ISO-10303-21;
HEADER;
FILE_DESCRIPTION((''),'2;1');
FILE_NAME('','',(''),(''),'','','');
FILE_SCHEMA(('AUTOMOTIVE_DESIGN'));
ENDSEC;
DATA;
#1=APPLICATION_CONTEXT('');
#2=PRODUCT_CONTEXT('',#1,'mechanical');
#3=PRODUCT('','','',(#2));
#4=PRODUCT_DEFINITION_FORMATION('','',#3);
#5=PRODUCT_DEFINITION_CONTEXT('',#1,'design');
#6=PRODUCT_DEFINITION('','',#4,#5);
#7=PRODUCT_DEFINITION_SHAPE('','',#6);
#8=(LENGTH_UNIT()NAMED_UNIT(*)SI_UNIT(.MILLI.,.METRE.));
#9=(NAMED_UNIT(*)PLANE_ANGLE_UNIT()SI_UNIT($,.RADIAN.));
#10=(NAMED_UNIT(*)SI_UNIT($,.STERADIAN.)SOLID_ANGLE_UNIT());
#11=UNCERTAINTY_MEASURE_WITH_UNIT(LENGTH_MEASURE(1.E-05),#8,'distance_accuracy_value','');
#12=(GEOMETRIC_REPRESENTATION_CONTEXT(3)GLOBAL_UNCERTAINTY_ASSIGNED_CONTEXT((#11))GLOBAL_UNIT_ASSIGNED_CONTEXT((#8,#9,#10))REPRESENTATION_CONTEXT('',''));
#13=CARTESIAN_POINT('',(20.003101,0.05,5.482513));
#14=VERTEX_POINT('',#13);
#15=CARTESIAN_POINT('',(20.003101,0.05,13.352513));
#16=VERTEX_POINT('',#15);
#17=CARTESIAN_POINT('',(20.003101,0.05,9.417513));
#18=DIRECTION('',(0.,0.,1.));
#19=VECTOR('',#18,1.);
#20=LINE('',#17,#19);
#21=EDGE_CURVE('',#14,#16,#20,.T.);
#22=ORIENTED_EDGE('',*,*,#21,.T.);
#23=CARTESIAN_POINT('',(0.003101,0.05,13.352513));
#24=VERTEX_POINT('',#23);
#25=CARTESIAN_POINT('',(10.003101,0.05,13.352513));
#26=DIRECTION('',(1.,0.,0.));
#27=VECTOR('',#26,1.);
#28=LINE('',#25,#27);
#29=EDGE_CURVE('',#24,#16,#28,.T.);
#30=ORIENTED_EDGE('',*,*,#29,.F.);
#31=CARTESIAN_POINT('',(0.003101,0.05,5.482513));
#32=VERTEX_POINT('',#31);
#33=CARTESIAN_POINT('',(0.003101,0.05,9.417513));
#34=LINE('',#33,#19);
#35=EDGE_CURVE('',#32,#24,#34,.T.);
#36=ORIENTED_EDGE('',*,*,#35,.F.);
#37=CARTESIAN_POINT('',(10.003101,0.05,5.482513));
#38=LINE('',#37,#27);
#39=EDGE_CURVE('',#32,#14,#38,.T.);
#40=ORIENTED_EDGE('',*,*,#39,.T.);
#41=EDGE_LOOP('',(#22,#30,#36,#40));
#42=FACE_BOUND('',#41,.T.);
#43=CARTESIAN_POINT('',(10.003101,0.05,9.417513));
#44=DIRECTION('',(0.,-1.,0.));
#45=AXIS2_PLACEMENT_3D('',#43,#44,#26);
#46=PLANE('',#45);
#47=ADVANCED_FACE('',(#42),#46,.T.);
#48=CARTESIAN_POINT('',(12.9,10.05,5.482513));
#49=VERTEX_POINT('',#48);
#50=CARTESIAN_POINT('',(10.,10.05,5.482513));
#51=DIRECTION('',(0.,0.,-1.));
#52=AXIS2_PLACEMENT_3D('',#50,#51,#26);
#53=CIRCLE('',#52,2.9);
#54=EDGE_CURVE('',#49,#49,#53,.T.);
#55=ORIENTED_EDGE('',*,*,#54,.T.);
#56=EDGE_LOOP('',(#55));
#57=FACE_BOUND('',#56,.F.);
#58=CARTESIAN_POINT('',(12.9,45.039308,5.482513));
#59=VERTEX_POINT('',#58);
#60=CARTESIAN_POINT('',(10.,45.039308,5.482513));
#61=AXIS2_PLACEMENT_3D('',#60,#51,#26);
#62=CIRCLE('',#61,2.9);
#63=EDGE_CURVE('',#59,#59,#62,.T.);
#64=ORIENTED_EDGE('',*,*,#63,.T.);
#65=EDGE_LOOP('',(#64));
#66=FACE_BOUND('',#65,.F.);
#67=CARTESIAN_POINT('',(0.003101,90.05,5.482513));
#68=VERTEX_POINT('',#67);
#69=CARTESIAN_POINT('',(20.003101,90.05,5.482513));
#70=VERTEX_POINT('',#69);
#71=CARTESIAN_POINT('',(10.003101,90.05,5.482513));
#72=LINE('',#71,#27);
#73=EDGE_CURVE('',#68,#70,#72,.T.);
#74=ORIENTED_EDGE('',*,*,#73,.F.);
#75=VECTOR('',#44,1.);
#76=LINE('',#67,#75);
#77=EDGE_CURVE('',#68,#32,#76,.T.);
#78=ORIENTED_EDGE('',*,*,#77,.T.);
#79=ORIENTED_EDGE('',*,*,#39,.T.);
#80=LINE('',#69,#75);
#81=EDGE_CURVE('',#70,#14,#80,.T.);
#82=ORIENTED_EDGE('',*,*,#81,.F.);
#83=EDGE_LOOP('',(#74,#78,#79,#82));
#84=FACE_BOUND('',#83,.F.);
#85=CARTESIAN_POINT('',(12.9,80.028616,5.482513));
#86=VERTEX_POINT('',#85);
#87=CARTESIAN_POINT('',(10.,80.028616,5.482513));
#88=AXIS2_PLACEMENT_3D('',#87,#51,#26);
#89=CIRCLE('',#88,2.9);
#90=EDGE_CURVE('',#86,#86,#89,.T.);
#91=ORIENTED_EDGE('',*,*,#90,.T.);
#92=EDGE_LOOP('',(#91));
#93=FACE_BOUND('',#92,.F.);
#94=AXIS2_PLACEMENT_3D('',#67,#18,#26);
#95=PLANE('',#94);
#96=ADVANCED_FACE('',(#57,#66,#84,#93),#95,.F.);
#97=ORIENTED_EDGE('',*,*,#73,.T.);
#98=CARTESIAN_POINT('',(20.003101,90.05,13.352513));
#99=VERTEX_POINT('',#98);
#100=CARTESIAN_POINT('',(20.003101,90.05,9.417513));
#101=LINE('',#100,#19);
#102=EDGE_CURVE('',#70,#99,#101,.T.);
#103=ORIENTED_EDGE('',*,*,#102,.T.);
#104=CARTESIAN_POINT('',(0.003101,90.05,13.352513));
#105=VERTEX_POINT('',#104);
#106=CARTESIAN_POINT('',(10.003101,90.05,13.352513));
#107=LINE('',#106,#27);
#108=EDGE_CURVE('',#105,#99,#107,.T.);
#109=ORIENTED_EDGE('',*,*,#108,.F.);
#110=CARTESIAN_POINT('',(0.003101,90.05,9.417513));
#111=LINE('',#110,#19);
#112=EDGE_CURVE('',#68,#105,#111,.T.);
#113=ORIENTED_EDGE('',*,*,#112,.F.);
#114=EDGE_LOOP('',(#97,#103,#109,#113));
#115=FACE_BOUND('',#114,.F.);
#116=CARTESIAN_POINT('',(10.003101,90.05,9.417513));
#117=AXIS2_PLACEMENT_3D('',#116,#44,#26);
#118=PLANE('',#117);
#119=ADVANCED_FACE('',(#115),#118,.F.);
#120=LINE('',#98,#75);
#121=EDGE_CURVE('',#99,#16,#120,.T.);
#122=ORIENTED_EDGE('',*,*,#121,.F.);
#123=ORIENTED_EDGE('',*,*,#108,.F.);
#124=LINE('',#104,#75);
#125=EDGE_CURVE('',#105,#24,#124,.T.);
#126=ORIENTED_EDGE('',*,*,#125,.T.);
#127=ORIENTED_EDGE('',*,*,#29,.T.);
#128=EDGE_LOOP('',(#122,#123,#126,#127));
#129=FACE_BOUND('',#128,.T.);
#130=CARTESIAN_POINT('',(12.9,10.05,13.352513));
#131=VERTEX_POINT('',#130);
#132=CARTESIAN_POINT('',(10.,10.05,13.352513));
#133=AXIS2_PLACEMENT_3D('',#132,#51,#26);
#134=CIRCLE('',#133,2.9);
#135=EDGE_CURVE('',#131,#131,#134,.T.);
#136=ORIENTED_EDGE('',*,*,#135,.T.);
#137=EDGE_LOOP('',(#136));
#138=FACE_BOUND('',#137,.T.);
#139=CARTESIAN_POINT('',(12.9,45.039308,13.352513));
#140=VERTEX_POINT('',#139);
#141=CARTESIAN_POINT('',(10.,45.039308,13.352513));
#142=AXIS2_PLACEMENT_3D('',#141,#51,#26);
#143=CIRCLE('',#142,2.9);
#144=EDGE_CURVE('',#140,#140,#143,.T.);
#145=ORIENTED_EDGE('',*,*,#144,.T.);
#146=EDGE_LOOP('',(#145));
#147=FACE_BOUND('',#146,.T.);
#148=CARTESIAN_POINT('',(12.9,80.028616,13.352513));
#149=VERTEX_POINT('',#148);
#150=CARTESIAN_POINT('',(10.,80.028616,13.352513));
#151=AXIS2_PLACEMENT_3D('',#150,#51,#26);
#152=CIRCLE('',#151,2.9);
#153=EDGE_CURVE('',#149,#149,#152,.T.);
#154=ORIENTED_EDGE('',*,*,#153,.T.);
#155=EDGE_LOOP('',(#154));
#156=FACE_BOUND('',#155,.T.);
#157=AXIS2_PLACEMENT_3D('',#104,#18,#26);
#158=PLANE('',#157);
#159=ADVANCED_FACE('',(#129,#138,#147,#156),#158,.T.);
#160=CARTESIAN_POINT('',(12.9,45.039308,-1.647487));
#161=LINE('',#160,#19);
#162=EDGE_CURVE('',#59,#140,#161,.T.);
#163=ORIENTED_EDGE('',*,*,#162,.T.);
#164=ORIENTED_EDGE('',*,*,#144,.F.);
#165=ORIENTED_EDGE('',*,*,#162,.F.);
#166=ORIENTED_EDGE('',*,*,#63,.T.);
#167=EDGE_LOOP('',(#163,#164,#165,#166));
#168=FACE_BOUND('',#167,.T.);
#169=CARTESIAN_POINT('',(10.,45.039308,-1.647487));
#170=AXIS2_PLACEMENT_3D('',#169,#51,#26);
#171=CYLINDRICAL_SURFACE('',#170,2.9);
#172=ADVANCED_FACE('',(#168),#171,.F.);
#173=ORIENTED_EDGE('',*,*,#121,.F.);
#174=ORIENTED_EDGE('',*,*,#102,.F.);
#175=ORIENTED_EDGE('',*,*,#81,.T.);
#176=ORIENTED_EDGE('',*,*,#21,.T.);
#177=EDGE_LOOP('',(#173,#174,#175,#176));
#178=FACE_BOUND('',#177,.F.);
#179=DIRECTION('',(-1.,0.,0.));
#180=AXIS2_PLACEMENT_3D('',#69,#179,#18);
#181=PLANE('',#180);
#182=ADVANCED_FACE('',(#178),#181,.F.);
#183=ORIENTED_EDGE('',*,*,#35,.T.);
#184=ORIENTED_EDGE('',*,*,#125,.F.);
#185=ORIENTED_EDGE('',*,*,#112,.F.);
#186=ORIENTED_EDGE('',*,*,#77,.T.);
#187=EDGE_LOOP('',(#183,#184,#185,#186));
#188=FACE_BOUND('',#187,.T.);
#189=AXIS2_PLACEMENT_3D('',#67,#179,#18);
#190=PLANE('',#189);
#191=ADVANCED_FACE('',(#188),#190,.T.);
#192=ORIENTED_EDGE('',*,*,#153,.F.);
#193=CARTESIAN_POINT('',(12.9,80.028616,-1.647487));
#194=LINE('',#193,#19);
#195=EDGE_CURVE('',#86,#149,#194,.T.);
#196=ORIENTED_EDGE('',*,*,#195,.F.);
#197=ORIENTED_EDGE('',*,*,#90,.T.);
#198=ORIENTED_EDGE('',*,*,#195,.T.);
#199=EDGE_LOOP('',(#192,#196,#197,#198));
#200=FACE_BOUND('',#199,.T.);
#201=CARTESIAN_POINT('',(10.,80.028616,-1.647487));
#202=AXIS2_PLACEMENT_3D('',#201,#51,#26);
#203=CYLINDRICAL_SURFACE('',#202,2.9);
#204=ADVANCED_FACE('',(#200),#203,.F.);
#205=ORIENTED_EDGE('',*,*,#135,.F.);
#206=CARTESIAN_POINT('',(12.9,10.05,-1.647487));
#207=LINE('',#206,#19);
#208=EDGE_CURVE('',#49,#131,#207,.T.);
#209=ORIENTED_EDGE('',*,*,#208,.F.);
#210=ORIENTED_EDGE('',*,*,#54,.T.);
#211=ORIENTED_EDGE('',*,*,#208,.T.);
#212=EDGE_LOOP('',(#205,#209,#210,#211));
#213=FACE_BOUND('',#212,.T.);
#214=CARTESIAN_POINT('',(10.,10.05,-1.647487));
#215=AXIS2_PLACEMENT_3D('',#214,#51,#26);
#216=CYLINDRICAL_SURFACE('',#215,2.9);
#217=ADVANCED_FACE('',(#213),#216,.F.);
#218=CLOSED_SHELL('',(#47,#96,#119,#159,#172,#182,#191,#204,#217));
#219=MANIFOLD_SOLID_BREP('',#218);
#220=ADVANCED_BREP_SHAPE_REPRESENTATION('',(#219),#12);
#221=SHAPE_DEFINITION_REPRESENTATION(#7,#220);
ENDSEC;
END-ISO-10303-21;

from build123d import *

# Parameters (mm, degrees)
SKETCH058_R      = 2.9
EXTRUDE060_DEPTH = 20
SKETCH057_W      = 20
SKETCH057_H      = 7.87
EXTRUDE059_DEPTH = 90


with BuildPart() as tornillos015:
    # Sketch058 (on Face4 of Extrude059) → Extrude060 (new body)
    with BuildSketch(Plane.XY.offset(19.952513)):
        with Locations((10, -80)):
            Circle(SKETCH058_R)
        with Locations((10, -45.010692)):
            Circle(SKETCH058_R)
        with Locations((10, -10.021384)):
            Circle(SKETCH058_R)
    extrude(amount=EXTRUDE060_DEPTH)


with BuildPart() as tornillos015_1:
    # Extrude060 placement: moved
    add(tornillos015.part.moved(Location((0, 0, -15))))


with BuildPart() as cut:
    # Sketch057 → Extrude059 (new body)
    with BuildSketch(Plane.XZ):
        with Locations((10.003101, 16.017513)):
            Rectangle(SKETCH057_W, SKETCH057_H)
    extrude(amount=EXTRUDE059_DEPTH)

    # Cut: cut Tornillos015
    add(tornillos015_1.part, mode=Mode.SUBTRACT)


with BuildPart() as cut_1:
    # Cut placement: moved
    add(cut.part.moved(Location((0, 90.05, -6.6))))


solid = cut_1.part
